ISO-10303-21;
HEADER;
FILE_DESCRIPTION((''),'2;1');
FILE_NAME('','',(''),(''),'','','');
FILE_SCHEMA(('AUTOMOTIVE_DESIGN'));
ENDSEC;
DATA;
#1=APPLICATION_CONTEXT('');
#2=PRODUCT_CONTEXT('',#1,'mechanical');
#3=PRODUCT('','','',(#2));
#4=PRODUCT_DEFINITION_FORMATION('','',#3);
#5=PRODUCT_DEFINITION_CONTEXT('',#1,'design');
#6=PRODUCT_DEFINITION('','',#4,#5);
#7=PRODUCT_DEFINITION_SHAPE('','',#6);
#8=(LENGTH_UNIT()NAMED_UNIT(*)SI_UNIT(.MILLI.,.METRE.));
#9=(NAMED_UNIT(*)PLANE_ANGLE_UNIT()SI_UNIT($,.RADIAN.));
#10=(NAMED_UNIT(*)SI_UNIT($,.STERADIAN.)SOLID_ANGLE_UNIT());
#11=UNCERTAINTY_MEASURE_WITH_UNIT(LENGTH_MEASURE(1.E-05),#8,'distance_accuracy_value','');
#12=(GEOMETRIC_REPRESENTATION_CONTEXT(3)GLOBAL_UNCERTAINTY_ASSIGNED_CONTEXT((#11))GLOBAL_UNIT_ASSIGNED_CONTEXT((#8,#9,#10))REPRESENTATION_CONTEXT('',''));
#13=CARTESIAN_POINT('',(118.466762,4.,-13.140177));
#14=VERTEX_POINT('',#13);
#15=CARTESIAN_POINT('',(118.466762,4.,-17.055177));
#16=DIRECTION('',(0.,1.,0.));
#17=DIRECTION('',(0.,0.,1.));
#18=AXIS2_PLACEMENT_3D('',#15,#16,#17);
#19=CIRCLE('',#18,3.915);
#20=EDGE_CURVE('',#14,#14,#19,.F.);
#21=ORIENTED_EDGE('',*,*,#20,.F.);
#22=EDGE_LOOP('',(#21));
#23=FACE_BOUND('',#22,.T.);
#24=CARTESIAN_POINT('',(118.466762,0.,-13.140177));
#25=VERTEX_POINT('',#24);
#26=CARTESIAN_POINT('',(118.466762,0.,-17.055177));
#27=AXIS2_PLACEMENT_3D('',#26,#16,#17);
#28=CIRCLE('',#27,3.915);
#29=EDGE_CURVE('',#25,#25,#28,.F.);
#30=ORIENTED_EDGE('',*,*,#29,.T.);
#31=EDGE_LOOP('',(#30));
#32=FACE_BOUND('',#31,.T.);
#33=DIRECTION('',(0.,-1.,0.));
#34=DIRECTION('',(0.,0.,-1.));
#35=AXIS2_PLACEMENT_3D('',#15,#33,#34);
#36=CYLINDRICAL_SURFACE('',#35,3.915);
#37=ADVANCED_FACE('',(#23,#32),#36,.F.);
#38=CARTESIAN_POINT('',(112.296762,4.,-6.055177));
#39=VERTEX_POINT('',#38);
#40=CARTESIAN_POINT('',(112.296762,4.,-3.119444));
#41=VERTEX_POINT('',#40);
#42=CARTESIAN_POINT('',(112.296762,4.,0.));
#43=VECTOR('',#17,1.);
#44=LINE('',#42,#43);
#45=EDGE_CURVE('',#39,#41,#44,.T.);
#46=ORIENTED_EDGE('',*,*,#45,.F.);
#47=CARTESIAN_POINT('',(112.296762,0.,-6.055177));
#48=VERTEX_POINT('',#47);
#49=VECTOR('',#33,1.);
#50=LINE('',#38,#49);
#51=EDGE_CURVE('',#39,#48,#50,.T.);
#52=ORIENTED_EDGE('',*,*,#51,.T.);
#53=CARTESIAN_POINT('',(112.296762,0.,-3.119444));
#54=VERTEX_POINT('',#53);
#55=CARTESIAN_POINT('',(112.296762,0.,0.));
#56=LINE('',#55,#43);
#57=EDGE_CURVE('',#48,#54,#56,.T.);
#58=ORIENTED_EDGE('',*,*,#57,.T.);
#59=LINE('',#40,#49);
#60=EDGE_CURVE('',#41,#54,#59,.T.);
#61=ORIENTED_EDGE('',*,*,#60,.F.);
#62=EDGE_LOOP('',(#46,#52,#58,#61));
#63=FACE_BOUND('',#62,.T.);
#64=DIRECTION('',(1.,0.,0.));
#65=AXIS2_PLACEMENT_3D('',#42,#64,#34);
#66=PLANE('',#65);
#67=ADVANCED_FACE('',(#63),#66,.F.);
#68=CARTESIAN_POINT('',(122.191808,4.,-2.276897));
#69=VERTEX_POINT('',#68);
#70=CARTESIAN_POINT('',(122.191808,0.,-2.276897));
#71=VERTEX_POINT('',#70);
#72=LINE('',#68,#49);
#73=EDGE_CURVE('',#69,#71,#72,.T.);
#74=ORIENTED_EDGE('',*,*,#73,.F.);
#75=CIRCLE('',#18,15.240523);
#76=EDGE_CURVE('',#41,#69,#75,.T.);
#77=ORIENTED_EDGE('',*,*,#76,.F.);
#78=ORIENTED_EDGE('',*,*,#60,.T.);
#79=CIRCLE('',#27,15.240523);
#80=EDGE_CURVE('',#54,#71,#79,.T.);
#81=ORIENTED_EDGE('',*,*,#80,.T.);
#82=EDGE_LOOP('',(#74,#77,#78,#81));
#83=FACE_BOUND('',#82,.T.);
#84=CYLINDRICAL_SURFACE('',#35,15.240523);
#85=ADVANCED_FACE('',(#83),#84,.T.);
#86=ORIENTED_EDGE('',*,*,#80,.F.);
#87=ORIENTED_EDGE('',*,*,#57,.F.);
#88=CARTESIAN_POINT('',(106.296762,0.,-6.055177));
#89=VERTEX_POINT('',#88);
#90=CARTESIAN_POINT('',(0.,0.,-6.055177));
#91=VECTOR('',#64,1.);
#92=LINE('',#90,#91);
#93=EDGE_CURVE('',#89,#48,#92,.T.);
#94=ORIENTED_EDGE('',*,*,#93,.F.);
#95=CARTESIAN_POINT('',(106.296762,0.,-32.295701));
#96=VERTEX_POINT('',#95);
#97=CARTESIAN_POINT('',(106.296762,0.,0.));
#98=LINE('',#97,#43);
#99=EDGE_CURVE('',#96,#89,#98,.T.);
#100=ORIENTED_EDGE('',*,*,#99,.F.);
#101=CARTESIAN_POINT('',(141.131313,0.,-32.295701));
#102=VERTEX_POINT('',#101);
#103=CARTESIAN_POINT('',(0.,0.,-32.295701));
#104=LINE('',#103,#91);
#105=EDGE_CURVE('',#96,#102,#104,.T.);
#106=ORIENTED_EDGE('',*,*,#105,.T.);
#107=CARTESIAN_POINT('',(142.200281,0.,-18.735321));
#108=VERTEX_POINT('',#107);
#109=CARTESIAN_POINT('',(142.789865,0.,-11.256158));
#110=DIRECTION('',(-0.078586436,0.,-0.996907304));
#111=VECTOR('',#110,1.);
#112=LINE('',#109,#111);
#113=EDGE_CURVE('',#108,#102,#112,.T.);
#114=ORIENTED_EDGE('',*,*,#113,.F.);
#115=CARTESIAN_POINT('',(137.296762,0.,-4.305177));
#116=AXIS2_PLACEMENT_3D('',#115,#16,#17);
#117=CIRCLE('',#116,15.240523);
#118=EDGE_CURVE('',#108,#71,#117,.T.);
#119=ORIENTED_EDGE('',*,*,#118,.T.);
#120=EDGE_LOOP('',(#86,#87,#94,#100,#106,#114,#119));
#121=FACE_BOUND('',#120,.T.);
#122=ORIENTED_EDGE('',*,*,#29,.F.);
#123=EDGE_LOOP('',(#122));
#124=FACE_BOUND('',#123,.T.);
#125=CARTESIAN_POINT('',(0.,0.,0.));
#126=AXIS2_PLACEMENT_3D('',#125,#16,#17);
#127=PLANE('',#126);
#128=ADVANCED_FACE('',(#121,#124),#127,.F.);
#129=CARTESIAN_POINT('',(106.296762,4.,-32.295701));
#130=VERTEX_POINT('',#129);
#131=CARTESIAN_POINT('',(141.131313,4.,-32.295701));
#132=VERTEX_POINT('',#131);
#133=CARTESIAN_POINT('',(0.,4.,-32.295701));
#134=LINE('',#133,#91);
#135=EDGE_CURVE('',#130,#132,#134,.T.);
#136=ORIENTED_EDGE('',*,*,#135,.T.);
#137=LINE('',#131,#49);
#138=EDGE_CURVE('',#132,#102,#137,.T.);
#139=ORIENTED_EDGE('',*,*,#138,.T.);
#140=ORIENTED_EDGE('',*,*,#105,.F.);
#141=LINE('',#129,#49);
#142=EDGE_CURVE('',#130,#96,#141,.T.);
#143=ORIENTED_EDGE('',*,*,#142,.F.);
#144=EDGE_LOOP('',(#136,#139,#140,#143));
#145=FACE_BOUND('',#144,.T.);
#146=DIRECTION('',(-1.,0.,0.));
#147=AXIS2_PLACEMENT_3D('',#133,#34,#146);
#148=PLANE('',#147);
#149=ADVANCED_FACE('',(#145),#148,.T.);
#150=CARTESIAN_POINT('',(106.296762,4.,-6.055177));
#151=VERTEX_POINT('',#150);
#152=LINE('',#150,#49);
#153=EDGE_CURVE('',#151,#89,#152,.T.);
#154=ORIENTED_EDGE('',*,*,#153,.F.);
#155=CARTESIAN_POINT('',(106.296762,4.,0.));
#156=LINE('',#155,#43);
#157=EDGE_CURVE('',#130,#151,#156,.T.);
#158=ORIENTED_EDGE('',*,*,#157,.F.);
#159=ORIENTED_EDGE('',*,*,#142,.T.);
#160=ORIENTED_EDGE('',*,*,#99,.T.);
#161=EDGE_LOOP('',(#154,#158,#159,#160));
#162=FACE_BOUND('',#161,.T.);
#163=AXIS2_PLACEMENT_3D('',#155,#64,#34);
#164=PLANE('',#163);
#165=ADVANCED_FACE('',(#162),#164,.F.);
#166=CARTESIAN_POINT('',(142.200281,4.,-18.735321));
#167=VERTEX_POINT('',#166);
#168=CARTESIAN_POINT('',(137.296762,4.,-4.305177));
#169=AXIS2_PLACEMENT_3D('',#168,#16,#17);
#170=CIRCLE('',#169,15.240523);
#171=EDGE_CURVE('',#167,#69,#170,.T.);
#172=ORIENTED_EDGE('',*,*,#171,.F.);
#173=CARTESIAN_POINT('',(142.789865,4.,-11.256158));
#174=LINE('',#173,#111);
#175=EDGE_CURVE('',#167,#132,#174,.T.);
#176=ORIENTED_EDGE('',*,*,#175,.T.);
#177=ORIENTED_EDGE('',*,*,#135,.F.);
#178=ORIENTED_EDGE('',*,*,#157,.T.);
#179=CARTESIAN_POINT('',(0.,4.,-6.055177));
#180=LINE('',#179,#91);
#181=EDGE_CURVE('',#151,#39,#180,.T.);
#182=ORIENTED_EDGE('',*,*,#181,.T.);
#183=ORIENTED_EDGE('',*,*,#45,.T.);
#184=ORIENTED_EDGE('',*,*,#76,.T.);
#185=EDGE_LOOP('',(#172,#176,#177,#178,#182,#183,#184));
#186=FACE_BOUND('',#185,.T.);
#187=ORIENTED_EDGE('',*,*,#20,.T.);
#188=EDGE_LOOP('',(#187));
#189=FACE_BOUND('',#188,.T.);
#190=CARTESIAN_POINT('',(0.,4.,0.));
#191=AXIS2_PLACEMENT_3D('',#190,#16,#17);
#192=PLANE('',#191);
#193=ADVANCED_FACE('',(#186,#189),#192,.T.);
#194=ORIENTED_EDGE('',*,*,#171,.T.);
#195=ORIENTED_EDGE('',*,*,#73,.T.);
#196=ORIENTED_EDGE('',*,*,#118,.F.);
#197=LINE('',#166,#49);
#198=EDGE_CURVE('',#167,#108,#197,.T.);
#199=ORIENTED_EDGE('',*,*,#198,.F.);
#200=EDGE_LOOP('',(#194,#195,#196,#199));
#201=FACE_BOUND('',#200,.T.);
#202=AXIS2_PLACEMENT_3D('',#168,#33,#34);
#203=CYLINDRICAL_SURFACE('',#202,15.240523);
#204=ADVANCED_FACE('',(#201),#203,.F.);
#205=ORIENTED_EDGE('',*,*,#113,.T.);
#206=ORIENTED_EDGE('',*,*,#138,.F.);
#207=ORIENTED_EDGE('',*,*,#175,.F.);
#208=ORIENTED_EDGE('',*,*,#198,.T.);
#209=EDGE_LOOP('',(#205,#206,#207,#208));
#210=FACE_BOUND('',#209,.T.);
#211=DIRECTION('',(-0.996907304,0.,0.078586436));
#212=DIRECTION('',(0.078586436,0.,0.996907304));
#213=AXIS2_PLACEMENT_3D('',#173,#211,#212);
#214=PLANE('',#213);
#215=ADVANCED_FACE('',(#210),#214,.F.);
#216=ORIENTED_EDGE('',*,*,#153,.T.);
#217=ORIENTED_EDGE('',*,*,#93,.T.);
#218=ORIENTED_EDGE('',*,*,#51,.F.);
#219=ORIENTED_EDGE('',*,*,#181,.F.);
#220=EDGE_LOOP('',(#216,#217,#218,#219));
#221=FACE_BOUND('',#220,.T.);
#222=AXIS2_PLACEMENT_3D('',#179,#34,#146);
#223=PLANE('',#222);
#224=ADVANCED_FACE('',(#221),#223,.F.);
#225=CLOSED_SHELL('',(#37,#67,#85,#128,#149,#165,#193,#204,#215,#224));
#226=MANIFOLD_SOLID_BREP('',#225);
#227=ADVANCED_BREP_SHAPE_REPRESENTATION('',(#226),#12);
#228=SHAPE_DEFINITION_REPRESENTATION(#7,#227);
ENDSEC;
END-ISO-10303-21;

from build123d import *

# Parameters (mm, degrees)
SKETCH1_R           = 3.915
BOSS_EXTRUDE1_DEPTH = 4


with BuildPart() as part:
    # Sketch1 → Boss-Extrude1 (new body)
    with BuildSketch(Plane(origin=(0, 0, 0), x_dir=(1, 0, 0), z_dir=(0, 1, 0))):
        with BuildLine():
            Line((112.296761578, 6.055177331), (112.296761578, 3.119444466))
            ThreePointArc((112.296761578, 3.119444466), (117.173733569, 1.869604275), (122.191807827, 2.276896615))
            ThreePointArc((122.191807827, 2.276896615), (127.614961562, 16.075321721), (142.200280719, 18.735321146))
            Line((142.200280719, 18.735321146), (141.13131283, 32.295700632))
            Line((141.13131283, 32.295700632), (106.296761578, 32.295700632))
            Line((106.296761578, 32.295700632), (106.296761578, 6.055177331))
            Line((106.296761578, 6.055177331), (112.296761578, 6.055177331))
        make_face()
        with Locations((118.466761578, 17.055177331)):
            Circle(SKETCH1_R, mode=Mode.SUBTRACT)
    extrude(amount=BOSS_EXTRUDE1_DEPTH)


solid = part.part
